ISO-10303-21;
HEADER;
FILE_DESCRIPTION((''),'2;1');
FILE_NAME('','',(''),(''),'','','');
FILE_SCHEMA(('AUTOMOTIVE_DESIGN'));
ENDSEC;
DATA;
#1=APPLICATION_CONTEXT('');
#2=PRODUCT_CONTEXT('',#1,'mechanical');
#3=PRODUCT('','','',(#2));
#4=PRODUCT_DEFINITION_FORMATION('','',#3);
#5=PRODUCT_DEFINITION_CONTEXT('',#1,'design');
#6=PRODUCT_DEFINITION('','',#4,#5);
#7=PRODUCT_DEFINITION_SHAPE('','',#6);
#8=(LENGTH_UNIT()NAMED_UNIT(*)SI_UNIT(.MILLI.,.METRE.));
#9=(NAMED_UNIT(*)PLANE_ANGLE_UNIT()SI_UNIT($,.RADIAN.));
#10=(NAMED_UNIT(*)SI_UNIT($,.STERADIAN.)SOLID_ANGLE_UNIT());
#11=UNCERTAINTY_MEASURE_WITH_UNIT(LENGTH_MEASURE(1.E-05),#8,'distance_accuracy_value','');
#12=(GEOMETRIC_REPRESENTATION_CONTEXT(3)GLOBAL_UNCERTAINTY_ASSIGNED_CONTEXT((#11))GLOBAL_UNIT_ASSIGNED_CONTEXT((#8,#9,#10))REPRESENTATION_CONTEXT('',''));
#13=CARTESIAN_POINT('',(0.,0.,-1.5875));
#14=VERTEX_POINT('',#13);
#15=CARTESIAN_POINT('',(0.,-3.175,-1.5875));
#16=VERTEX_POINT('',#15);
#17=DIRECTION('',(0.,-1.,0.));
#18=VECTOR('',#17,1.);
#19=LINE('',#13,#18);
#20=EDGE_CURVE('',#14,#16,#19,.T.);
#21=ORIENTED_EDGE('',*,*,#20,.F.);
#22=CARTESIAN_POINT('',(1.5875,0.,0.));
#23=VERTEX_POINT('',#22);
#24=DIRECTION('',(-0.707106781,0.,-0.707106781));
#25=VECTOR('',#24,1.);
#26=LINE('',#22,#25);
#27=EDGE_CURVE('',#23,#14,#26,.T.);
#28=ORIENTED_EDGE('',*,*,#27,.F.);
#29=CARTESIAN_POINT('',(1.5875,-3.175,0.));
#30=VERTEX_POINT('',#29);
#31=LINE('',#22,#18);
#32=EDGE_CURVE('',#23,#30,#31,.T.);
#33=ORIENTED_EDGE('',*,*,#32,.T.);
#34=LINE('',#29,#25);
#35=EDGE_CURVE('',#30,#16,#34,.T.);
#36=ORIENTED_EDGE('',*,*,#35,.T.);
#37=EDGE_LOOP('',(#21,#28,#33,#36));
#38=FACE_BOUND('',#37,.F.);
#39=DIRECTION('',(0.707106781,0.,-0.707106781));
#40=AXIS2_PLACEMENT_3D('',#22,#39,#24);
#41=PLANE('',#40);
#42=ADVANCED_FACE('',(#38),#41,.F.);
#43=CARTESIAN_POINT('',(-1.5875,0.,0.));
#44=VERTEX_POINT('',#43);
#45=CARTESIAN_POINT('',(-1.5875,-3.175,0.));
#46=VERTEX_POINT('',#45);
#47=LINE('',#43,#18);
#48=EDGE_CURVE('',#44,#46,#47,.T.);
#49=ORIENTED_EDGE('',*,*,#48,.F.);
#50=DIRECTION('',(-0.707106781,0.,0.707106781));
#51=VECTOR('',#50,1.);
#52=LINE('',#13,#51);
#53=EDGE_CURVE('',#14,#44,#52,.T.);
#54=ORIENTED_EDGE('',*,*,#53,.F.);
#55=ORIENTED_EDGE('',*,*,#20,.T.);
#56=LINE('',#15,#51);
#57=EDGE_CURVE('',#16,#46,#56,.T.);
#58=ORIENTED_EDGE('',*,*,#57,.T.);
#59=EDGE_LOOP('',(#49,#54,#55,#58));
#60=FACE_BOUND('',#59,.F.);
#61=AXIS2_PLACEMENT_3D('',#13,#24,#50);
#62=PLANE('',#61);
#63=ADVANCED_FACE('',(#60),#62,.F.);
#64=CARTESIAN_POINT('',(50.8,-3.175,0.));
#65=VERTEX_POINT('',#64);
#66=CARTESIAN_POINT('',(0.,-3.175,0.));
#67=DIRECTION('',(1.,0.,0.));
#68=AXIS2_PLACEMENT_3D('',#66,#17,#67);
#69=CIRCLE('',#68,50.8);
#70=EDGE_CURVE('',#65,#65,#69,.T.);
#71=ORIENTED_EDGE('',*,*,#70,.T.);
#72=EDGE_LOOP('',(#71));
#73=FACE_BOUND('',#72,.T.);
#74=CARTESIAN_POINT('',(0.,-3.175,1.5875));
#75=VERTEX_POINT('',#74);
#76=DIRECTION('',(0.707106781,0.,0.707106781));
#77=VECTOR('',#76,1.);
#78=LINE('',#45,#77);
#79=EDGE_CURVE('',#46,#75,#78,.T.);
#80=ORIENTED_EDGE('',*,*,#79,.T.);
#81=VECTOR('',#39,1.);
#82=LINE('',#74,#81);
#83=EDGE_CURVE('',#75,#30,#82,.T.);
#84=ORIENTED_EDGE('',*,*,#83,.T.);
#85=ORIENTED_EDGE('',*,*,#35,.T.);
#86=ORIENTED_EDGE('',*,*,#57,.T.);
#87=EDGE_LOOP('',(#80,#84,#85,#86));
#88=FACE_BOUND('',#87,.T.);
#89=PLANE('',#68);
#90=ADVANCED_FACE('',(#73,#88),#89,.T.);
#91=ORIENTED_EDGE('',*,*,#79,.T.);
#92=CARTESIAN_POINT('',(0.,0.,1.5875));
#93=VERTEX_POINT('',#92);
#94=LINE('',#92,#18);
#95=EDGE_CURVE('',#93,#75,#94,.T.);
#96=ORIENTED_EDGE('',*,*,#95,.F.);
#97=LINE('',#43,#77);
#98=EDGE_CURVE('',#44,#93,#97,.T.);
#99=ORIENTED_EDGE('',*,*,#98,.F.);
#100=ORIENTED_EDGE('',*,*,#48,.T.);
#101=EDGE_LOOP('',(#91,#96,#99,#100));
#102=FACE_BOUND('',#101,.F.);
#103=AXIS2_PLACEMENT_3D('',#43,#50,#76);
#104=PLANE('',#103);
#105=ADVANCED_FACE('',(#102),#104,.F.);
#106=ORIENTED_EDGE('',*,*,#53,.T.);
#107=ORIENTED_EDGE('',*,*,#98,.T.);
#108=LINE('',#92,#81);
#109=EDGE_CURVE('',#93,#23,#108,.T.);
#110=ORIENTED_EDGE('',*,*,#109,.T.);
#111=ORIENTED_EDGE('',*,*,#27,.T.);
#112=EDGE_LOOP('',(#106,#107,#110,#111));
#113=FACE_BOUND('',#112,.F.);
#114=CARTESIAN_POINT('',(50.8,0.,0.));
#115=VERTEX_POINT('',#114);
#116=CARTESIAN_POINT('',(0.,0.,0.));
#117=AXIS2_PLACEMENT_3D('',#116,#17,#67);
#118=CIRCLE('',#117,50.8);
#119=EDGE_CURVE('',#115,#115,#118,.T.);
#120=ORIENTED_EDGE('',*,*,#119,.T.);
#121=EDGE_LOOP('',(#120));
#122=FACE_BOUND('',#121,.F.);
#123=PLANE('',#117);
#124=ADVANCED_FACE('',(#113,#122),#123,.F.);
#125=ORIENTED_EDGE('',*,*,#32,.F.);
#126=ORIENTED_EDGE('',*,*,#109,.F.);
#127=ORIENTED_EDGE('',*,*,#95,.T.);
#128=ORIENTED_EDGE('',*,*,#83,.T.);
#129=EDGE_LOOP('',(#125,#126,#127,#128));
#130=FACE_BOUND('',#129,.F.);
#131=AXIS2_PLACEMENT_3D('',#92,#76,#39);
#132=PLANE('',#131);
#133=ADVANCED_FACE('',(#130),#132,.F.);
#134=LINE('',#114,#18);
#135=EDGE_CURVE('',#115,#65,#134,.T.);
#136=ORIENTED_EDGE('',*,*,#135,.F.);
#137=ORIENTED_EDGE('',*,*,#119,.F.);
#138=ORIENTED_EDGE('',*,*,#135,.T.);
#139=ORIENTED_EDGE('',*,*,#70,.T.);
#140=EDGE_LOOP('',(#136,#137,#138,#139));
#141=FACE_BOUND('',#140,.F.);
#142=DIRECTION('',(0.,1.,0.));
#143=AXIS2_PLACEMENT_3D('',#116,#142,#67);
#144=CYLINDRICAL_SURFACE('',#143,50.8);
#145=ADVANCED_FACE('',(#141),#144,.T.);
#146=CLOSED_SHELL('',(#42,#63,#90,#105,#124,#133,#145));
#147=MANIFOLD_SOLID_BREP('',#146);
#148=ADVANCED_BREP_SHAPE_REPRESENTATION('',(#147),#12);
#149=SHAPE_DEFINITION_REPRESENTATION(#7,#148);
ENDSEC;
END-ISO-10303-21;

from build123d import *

# Parameters (mm, degrees)
F0_R     = 50.8
F1_DEPTH = 3.175


with BuildPart() as f1:
    # F0 (on Front) → F1 (new body)
    with BuildSketch(Plane.XZ):
        Circle(F0_R)
        Polygon((-1.5875, 0), (0, 1.5875), (1.5875, 0), (0, -1.5875), align=None, mode=Mode.SUBTRACT)
    extrude(amount=F1_DEPTH)


solid = f1.part
